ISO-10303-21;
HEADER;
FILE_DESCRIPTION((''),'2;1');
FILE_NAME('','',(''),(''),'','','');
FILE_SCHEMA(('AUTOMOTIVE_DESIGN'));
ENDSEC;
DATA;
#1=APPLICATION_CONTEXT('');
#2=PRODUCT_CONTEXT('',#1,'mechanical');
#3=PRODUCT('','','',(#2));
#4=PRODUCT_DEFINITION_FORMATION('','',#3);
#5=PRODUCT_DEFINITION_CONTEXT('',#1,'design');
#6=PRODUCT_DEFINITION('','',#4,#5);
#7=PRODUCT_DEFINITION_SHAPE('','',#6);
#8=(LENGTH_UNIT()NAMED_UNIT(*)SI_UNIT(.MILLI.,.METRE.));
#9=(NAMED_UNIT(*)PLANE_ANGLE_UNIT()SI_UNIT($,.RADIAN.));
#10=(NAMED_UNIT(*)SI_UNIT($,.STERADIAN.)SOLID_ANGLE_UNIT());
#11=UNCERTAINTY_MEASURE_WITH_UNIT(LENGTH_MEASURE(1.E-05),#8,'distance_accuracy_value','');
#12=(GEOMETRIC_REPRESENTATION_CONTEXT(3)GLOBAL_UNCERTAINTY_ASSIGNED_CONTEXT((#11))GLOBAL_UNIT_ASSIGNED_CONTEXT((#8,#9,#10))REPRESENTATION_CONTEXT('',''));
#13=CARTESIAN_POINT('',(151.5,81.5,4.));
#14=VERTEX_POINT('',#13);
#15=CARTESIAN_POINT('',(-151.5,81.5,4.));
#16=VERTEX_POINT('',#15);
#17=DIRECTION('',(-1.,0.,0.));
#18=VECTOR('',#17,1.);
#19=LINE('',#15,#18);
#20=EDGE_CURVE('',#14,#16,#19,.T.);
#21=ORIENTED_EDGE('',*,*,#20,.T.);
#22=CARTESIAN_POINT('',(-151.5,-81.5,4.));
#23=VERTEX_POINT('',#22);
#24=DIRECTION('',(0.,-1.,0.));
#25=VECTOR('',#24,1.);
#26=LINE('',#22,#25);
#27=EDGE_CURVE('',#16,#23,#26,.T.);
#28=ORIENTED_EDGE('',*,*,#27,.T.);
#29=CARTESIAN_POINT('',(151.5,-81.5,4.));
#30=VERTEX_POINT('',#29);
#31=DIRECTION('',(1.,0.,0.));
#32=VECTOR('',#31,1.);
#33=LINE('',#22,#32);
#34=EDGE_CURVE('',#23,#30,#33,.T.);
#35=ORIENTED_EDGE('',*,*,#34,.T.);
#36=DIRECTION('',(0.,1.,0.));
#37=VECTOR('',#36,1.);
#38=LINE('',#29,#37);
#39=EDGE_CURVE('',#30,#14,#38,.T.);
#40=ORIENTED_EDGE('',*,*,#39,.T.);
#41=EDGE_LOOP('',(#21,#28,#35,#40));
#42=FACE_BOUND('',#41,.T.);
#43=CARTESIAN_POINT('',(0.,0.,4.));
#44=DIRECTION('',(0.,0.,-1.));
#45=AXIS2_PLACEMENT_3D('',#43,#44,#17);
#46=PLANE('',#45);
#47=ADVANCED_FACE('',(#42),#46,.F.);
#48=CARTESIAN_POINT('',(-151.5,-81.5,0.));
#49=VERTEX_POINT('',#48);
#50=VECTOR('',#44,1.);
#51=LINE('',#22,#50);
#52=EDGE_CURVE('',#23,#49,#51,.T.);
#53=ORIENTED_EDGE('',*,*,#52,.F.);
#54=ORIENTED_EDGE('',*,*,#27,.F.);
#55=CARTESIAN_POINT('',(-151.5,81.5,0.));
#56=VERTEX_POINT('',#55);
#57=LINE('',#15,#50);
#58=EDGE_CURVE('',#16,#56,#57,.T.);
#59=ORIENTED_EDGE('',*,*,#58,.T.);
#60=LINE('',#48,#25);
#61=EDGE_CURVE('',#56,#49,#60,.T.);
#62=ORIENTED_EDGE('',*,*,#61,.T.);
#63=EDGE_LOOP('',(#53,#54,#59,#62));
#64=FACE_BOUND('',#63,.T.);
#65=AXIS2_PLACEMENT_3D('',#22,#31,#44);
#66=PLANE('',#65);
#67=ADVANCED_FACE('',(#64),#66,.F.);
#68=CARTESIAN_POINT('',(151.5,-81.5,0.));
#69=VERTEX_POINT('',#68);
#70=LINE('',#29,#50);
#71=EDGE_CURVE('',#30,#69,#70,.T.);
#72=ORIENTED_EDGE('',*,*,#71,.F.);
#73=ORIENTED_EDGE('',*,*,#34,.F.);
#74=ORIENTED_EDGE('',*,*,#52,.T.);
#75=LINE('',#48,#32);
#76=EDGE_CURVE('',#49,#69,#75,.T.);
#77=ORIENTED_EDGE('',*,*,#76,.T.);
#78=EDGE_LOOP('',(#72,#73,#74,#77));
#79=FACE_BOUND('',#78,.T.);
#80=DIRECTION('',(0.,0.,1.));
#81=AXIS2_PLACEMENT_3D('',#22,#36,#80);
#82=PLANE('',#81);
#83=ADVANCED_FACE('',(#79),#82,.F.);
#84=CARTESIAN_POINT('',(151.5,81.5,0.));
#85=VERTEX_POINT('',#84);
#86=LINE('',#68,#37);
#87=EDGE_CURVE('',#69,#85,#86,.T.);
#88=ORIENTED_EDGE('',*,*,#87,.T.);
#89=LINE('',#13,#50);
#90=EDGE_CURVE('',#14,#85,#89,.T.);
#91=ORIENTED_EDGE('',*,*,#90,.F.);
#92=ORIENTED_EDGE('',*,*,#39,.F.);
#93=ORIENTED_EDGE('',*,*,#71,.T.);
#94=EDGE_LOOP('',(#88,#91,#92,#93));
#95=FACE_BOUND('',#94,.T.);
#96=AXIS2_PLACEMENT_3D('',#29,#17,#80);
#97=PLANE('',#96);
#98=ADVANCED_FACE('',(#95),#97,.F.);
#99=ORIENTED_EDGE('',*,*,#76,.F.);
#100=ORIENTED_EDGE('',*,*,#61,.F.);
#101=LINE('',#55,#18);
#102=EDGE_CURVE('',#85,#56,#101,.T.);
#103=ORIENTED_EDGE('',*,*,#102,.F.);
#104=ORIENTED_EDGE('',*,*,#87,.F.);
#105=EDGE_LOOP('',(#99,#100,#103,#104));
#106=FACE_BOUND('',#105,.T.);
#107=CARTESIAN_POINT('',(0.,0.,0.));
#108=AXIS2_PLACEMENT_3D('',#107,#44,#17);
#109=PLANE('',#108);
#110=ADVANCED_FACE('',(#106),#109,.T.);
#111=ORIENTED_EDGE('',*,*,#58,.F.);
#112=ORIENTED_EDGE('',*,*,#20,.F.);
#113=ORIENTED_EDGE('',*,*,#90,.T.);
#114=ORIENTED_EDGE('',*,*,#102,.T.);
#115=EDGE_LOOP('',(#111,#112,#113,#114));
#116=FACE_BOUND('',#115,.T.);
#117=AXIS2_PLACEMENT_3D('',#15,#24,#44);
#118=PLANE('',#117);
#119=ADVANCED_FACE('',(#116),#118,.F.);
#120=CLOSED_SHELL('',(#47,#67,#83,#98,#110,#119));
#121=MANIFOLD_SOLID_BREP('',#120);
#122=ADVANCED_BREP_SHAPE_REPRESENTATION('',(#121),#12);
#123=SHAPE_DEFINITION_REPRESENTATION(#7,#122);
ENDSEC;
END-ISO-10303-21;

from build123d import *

# Parameters (mm, degrees)
ESQUISSE1_W        = 303
ESQUISSE1_H        = 163
BOSS_EXTRU_1_DEPTH = 4


with BuildPart() as part:
    # Esquisse1 → Boss.-Extru.1 (new body)
    with BuildSketch(Plane.XY):
        Rectangle(ESQUISSE1_W, ESQUISSE1_H)
    extrude(amount=BOSS_EXTRU_1_DEPTH)


solid = part.part
